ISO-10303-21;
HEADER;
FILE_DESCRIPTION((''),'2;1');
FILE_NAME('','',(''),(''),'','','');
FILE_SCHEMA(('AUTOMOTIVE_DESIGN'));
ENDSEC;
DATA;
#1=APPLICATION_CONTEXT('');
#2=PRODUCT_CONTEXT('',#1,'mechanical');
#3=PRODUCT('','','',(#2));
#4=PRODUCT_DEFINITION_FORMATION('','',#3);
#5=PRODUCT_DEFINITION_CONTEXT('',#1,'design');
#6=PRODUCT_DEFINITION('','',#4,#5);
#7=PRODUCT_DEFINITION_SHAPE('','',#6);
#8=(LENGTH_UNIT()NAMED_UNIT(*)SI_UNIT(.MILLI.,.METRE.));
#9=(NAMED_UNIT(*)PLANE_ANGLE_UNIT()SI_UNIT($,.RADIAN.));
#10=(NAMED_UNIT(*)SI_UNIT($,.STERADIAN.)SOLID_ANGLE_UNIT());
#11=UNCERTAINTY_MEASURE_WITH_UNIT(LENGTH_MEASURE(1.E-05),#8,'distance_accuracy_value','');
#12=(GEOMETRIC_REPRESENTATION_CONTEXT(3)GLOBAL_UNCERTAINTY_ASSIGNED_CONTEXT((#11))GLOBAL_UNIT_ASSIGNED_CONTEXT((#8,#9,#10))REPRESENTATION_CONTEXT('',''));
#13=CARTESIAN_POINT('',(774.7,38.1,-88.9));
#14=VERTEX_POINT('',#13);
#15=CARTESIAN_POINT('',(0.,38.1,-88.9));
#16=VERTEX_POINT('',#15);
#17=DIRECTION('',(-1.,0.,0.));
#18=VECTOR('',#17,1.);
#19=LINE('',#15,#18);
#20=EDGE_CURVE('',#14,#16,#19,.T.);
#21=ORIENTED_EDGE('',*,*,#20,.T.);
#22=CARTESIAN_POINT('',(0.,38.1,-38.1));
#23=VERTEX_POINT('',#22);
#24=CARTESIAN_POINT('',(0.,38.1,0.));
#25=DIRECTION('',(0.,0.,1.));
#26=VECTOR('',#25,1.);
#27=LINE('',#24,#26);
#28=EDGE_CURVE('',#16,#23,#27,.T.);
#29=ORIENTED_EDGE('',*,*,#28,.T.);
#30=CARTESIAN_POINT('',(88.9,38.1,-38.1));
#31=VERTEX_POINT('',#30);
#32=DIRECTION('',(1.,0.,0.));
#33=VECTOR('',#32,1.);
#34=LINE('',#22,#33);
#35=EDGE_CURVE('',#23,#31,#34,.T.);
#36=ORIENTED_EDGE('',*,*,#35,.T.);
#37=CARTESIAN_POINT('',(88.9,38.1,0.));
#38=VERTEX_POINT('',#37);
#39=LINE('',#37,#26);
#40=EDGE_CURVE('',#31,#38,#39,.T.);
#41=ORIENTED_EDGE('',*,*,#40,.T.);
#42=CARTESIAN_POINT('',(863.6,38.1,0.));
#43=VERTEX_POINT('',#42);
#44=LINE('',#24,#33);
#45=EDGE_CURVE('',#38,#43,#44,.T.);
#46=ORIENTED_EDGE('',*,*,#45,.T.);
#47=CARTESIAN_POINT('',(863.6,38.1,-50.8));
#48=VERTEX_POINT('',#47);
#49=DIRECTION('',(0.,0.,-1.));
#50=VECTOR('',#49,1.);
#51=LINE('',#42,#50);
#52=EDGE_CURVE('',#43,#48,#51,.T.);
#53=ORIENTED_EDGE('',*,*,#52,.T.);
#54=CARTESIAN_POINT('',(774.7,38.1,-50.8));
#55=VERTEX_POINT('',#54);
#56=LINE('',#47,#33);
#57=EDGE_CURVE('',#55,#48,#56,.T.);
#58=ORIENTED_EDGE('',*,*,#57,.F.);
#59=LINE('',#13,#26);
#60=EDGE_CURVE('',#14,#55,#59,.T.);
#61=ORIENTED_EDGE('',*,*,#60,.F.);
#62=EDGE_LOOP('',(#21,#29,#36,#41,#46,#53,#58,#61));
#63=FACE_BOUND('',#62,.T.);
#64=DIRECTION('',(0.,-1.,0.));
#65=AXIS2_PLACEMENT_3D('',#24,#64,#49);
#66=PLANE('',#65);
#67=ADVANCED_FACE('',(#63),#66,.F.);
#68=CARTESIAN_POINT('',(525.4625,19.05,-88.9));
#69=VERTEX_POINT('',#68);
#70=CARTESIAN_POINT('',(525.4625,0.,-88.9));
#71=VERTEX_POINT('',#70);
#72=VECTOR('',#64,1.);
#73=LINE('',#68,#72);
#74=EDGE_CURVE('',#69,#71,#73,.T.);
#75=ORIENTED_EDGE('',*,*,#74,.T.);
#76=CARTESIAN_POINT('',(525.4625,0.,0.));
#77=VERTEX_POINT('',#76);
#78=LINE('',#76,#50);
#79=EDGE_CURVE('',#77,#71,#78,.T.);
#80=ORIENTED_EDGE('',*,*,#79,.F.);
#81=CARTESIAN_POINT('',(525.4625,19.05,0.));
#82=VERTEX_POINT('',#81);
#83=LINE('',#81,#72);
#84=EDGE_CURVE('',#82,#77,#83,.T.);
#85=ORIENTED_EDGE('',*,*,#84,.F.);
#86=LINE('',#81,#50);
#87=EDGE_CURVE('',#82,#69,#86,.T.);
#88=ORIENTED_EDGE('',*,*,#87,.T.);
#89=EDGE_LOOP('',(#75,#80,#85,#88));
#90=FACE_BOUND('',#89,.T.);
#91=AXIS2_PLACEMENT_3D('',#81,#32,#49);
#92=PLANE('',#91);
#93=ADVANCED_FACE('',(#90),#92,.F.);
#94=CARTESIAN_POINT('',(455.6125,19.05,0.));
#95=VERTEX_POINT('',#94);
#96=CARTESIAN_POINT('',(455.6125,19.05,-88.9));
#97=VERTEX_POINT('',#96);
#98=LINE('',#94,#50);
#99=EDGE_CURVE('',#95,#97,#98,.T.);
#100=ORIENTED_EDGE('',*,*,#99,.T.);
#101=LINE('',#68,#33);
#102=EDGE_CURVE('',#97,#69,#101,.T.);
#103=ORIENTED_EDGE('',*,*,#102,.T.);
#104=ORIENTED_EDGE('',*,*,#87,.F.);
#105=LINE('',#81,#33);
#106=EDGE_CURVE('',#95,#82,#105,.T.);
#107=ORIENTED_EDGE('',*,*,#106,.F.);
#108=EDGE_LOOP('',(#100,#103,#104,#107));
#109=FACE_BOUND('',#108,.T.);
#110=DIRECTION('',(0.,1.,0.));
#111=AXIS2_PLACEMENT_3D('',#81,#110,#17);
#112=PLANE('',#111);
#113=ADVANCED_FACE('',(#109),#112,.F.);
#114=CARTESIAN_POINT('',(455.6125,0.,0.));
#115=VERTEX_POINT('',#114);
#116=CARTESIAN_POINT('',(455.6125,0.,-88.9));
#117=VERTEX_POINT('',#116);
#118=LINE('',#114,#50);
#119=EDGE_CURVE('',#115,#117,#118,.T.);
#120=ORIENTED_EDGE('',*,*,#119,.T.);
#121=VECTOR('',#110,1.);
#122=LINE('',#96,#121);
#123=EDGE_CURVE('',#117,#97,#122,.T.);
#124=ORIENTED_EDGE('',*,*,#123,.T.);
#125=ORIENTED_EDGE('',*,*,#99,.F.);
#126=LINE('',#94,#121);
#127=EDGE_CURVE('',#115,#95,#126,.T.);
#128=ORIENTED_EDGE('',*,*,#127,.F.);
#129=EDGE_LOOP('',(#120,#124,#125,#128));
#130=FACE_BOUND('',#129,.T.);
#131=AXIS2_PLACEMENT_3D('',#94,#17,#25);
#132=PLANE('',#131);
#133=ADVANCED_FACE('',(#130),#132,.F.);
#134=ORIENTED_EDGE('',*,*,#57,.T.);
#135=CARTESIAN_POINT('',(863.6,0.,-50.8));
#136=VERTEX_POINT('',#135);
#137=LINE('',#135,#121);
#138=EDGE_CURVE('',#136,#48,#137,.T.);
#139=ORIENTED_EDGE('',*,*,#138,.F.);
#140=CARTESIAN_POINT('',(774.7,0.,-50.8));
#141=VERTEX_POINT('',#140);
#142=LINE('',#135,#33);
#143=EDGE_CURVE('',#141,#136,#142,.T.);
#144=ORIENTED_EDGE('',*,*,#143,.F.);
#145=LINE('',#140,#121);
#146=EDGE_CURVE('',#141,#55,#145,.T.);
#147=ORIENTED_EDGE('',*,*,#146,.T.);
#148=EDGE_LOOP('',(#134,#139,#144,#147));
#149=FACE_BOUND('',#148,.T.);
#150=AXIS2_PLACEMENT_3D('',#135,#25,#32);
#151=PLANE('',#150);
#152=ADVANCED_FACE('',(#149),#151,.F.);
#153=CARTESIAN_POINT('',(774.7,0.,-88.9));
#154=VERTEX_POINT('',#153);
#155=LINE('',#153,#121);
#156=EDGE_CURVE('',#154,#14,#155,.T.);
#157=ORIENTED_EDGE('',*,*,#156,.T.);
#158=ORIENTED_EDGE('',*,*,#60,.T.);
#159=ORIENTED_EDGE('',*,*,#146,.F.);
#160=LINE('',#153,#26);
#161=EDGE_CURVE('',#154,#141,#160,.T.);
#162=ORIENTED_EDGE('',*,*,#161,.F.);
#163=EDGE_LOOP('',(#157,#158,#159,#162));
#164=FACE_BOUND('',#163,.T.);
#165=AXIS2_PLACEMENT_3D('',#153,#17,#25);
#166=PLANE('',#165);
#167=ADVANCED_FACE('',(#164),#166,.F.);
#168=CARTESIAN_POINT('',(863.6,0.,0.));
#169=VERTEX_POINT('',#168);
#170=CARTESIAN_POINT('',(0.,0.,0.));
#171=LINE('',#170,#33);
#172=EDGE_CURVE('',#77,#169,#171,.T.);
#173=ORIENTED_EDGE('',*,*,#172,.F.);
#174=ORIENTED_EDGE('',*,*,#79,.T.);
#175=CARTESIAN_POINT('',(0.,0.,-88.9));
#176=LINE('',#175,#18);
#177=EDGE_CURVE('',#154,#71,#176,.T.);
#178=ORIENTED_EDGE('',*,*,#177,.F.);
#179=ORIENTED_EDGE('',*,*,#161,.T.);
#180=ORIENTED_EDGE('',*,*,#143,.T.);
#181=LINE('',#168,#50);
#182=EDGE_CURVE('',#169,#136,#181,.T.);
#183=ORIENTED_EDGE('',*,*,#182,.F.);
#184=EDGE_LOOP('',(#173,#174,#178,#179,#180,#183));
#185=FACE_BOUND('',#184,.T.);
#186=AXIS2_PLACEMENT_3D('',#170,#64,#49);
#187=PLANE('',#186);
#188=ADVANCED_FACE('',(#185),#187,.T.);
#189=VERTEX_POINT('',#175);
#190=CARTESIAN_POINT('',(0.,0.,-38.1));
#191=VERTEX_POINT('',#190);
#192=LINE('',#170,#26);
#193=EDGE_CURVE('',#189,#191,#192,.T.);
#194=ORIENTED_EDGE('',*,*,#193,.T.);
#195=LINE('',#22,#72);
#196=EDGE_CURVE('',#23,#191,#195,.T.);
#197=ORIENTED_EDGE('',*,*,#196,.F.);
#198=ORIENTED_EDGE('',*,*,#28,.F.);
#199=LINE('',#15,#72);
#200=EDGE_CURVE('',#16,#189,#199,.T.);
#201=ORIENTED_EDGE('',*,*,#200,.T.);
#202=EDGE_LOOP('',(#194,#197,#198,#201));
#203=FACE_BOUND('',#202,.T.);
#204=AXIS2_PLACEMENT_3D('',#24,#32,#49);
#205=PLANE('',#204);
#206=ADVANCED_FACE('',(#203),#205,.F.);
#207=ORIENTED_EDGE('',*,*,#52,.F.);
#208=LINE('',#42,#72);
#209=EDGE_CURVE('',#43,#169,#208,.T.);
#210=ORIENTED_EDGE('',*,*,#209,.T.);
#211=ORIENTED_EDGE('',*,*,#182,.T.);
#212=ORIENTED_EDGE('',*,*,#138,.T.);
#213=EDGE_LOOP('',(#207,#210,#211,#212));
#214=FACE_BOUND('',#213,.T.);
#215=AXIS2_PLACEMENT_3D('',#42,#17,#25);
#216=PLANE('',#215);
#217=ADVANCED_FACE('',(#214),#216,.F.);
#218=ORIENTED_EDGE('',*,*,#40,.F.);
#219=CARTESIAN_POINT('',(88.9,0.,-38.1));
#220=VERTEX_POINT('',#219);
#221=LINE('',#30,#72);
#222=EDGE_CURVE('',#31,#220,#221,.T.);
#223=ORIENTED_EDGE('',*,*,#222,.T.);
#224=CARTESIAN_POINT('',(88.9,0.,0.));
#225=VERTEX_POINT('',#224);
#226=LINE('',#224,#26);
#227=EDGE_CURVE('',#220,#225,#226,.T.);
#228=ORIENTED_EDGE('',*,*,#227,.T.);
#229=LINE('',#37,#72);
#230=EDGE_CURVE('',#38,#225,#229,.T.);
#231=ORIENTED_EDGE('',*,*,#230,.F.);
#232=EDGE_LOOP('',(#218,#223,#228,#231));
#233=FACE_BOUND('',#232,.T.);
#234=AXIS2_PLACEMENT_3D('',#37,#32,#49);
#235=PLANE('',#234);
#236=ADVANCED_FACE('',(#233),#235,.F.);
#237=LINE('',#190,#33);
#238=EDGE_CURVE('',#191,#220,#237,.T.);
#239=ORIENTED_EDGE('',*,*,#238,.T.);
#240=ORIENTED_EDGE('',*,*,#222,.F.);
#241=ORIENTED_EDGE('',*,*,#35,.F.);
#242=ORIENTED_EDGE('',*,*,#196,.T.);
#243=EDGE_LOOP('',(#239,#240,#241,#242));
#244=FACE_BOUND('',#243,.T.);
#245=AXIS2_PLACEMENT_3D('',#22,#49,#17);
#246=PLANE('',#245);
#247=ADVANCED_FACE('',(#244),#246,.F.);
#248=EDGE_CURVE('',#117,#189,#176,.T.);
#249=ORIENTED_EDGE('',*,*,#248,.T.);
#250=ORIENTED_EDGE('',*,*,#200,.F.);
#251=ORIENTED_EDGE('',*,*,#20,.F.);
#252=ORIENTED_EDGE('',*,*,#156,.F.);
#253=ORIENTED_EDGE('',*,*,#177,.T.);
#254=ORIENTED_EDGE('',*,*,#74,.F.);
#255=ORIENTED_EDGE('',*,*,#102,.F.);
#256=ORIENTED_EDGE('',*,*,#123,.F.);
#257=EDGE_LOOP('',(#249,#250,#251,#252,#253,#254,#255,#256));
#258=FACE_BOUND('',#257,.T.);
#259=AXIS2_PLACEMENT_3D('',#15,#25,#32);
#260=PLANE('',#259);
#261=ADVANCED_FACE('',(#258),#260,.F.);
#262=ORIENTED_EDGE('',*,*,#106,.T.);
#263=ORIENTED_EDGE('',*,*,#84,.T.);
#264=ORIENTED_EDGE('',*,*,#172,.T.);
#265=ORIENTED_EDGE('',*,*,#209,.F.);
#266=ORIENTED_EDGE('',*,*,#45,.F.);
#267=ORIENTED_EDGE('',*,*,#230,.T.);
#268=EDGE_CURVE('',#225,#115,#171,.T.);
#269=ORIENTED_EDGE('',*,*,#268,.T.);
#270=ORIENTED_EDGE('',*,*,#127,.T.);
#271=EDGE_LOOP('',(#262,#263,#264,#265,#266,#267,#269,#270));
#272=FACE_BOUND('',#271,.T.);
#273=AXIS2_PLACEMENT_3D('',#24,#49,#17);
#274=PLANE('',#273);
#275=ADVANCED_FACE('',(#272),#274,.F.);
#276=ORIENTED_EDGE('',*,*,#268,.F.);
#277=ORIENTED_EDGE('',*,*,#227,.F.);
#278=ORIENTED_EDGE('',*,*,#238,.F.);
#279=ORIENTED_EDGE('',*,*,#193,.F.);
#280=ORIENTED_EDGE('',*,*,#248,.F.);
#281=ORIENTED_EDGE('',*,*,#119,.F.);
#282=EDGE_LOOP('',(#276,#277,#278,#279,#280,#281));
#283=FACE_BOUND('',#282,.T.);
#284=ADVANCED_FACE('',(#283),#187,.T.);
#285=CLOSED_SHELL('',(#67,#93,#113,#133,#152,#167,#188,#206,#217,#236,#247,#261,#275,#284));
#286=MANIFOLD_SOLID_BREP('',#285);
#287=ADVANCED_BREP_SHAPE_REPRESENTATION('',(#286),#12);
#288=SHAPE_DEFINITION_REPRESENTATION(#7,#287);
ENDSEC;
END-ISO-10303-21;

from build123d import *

# Parameters (mm, degrees)
SKETCH1_W           = 863.6
SKETCH1_H           = 88.9
BOSS_EXTRUDE1_DEPTH = 38.1
SKETCH3_W           = 88.9
SKETCH3_H           = 38.1
CUT_EXTRUDE2_DEPTH  = 39.1
SKETCH4_W           = 69.85
SKETCH4_H           = 19.05
CUT_EXTRUDE3_DEPTH  = 89.9
SKETCH5_W           = 88.9
SKETCH5_H           = 38.1
CUT_EXTRUDE4_DEPTH  = 39.1


with BuildPart() as part:
    # Sketch1 → Boss-Extrude1 (new body)
    with BuildSketch(Plane(origin=(0, 0, 0), x_dir=(1, 0, 0), z_dir=(0, 1, 0))):
        with Locations((431.8, 44.45)):
            Rectangle(SKETCH1_W, SKETCH1_H)
    extrude(amount=BOSS_EXTRUDE1_DEPTH)

    # Sketch3 → Cut-Extrude2 (cut, through all)
    with BuildSketch(Plane(origin=(0, 38.1, 0), x_dir=(1, 0, 0), z_dir=(0, 1, 0))):
        with Locations((819.15, 69.85)):
            Rectangle(SKETCH3_W, SKETCH3_H)
    extrude(amount=-CUT_EXTRUDE2_DEPTH, mode=Mode.SUBTRACT)

    # Sketch4 → Cut-Extrude3 (cut, through all)
    with BuildSketch(Plane(origin=(0, 0, -88.9), x_dir=(-1, 0, 0), z_dir=(0, 0, -1))):
        with Locations((-490.5375, 9.525)):
            Rectangle(SKETCH4_W, SKETCH4_H)
    extrude(amount=-CUT_EXTRUDE3_DEPTH, mode=Mode.SUBTRACT)

    # Sketch5 → Cut-Extrude4 (cut, through all)
    with BuildSketch(Plane.XZ):
        with Locations((44.45, -19.05)):
            Rectangle(SKETCH5_W, SKETCH5_H)
    extrude(amount=-CUT_EXTRUDE4_DEPTH, mode=Mode.SUBTRACT)


solid = part.part
